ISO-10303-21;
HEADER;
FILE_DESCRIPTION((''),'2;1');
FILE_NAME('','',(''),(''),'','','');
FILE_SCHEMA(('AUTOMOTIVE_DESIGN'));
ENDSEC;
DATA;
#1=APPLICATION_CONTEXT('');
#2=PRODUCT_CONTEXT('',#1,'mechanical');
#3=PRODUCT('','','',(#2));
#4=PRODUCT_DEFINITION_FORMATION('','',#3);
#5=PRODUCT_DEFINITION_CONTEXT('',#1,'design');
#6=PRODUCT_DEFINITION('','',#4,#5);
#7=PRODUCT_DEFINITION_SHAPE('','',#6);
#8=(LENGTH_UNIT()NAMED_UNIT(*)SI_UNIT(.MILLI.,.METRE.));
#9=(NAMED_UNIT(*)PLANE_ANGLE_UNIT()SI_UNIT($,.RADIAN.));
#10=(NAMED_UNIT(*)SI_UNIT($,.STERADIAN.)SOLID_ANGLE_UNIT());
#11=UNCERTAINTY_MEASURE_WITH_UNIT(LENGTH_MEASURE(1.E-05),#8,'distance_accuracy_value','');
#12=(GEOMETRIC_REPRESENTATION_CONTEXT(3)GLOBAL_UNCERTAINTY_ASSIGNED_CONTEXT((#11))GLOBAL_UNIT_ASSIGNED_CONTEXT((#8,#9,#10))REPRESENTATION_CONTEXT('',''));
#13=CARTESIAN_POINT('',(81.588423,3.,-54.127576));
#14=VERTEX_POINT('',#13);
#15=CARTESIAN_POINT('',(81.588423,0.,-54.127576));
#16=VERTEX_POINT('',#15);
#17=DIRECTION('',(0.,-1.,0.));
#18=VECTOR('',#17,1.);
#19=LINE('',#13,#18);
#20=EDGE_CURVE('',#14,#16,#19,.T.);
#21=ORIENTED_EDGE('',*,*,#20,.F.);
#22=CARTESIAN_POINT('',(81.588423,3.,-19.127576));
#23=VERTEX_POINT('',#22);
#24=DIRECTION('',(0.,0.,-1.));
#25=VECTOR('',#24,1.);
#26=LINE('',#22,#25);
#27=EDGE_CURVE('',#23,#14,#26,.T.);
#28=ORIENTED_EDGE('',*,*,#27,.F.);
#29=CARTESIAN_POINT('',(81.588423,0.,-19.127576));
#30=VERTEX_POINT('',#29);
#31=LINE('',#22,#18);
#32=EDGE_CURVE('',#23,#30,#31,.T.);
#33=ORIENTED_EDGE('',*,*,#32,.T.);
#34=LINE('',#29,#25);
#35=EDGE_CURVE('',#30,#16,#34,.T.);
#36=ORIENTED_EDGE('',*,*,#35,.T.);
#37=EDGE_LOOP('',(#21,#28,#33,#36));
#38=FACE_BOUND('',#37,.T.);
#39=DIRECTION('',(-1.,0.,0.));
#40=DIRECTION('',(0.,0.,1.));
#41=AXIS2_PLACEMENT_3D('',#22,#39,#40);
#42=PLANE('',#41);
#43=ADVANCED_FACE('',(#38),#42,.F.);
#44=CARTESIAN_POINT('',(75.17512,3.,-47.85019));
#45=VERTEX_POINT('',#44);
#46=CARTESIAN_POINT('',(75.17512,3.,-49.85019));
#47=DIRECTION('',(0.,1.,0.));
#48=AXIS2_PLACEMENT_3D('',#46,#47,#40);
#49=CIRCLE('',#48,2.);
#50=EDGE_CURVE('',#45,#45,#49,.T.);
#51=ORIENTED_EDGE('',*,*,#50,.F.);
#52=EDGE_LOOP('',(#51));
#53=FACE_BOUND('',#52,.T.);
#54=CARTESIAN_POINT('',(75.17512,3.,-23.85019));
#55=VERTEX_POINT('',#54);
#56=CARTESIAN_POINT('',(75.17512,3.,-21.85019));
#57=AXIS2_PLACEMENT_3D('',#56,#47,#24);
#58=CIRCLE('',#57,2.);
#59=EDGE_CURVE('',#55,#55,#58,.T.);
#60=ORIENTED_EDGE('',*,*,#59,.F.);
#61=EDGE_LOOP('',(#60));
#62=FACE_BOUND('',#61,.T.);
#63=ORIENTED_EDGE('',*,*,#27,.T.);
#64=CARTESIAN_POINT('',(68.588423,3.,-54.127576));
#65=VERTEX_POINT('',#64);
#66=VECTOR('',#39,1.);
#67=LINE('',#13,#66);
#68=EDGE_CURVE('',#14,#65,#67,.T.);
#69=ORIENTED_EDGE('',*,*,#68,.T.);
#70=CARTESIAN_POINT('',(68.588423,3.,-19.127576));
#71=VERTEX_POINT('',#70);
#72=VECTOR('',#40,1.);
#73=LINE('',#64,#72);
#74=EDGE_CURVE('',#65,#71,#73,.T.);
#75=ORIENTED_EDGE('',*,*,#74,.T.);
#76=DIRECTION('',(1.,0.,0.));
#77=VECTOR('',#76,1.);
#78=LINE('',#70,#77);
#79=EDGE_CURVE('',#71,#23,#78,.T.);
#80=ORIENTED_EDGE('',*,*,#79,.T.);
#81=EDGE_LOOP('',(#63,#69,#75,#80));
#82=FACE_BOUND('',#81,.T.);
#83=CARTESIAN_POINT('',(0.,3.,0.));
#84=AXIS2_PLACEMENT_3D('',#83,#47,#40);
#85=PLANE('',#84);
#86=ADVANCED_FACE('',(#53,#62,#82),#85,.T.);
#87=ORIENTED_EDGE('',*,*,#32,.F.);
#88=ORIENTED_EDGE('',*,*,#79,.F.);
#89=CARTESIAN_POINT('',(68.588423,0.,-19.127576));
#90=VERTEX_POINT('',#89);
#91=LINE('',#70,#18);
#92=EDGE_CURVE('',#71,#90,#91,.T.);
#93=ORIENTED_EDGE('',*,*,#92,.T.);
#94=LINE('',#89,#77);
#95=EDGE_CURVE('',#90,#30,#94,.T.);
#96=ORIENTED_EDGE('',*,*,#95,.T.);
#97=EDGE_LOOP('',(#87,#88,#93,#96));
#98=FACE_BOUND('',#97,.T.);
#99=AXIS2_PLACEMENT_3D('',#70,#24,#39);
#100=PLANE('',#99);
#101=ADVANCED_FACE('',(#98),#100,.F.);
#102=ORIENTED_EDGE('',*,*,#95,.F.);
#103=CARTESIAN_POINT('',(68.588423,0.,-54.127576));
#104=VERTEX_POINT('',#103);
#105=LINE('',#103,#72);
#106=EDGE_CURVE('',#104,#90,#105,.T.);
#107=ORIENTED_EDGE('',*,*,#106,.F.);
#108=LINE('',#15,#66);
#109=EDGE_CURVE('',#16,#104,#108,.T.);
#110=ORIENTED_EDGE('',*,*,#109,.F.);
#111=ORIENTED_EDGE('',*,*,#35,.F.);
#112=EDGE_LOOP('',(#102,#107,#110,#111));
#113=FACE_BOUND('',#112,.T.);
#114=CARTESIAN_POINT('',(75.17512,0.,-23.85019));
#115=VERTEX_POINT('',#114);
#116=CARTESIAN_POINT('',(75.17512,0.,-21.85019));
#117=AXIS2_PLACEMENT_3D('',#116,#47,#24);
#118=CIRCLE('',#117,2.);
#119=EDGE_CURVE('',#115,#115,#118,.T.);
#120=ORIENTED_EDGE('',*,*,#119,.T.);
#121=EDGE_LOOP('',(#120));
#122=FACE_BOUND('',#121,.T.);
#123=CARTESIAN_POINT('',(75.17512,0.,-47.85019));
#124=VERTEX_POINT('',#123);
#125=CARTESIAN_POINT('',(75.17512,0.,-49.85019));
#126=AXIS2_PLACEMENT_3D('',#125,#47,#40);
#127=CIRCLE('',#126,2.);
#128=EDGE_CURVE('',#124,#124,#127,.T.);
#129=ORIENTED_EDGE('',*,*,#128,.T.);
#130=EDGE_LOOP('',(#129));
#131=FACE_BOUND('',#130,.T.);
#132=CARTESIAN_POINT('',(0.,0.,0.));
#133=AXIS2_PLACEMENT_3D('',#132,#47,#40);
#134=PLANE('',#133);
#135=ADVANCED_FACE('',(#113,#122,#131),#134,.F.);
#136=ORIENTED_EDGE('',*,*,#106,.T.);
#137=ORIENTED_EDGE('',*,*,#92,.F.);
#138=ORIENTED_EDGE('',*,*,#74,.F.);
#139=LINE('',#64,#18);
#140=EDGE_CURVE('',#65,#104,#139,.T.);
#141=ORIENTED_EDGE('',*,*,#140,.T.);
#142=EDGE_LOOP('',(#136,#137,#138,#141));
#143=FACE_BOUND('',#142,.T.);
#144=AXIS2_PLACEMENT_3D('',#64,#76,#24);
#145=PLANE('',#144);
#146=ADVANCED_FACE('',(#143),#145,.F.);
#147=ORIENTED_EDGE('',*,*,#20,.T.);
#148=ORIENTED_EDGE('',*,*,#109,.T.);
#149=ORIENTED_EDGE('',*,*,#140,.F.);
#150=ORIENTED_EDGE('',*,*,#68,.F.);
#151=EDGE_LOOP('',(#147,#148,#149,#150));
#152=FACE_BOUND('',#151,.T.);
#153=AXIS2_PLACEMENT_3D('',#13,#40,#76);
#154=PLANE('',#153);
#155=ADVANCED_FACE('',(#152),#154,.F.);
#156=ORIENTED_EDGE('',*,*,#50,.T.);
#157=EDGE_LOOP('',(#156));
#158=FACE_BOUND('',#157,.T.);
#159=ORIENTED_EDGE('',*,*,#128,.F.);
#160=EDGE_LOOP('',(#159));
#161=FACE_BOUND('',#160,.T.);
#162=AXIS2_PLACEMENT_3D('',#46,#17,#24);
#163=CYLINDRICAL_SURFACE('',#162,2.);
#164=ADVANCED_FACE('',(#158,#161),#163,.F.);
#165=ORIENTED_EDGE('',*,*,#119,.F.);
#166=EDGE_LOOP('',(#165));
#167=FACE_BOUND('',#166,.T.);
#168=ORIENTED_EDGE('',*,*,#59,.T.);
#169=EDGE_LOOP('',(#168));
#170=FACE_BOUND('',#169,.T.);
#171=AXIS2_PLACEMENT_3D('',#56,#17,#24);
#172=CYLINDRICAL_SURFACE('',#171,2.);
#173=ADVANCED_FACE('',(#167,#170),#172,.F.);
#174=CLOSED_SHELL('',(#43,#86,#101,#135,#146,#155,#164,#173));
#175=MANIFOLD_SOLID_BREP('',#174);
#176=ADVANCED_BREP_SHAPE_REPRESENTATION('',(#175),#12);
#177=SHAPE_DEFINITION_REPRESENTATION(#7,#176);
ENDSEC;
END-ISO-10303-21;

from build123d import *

# Parameters (mm, degrees)
SKETCH2_W           = 13
SKETCH2_H           = 35
SKETCH2_R           = 2
BOSS_EXTRUDE1_DEPTH = 3


with BuildPart() as part:
    # Sketch2 → Boss-Extrude1 (new body)
    with BuildSketch(Plane(origin=(0, 0, 0), x_dir=(1, 0, 0), z_dir=(0, 1, 0))):
        with Locations((75.088422911, 36.627576326)):
            Rectangle(SKETCH2_W, SKETCH2_H)
        with Locations((75.175119765, 49.850190154)):
            Circle(SKETCH2_R, mode=Mode.SUBTRACT)
        with Locations((75.175119765, 21.850190154)):
            Circle(SKETCH2_R, mode=Mode.SUBTRACT)
    extrude(amount=BOSS_EXTRUDE1_DEPTH)


solid = part.part
